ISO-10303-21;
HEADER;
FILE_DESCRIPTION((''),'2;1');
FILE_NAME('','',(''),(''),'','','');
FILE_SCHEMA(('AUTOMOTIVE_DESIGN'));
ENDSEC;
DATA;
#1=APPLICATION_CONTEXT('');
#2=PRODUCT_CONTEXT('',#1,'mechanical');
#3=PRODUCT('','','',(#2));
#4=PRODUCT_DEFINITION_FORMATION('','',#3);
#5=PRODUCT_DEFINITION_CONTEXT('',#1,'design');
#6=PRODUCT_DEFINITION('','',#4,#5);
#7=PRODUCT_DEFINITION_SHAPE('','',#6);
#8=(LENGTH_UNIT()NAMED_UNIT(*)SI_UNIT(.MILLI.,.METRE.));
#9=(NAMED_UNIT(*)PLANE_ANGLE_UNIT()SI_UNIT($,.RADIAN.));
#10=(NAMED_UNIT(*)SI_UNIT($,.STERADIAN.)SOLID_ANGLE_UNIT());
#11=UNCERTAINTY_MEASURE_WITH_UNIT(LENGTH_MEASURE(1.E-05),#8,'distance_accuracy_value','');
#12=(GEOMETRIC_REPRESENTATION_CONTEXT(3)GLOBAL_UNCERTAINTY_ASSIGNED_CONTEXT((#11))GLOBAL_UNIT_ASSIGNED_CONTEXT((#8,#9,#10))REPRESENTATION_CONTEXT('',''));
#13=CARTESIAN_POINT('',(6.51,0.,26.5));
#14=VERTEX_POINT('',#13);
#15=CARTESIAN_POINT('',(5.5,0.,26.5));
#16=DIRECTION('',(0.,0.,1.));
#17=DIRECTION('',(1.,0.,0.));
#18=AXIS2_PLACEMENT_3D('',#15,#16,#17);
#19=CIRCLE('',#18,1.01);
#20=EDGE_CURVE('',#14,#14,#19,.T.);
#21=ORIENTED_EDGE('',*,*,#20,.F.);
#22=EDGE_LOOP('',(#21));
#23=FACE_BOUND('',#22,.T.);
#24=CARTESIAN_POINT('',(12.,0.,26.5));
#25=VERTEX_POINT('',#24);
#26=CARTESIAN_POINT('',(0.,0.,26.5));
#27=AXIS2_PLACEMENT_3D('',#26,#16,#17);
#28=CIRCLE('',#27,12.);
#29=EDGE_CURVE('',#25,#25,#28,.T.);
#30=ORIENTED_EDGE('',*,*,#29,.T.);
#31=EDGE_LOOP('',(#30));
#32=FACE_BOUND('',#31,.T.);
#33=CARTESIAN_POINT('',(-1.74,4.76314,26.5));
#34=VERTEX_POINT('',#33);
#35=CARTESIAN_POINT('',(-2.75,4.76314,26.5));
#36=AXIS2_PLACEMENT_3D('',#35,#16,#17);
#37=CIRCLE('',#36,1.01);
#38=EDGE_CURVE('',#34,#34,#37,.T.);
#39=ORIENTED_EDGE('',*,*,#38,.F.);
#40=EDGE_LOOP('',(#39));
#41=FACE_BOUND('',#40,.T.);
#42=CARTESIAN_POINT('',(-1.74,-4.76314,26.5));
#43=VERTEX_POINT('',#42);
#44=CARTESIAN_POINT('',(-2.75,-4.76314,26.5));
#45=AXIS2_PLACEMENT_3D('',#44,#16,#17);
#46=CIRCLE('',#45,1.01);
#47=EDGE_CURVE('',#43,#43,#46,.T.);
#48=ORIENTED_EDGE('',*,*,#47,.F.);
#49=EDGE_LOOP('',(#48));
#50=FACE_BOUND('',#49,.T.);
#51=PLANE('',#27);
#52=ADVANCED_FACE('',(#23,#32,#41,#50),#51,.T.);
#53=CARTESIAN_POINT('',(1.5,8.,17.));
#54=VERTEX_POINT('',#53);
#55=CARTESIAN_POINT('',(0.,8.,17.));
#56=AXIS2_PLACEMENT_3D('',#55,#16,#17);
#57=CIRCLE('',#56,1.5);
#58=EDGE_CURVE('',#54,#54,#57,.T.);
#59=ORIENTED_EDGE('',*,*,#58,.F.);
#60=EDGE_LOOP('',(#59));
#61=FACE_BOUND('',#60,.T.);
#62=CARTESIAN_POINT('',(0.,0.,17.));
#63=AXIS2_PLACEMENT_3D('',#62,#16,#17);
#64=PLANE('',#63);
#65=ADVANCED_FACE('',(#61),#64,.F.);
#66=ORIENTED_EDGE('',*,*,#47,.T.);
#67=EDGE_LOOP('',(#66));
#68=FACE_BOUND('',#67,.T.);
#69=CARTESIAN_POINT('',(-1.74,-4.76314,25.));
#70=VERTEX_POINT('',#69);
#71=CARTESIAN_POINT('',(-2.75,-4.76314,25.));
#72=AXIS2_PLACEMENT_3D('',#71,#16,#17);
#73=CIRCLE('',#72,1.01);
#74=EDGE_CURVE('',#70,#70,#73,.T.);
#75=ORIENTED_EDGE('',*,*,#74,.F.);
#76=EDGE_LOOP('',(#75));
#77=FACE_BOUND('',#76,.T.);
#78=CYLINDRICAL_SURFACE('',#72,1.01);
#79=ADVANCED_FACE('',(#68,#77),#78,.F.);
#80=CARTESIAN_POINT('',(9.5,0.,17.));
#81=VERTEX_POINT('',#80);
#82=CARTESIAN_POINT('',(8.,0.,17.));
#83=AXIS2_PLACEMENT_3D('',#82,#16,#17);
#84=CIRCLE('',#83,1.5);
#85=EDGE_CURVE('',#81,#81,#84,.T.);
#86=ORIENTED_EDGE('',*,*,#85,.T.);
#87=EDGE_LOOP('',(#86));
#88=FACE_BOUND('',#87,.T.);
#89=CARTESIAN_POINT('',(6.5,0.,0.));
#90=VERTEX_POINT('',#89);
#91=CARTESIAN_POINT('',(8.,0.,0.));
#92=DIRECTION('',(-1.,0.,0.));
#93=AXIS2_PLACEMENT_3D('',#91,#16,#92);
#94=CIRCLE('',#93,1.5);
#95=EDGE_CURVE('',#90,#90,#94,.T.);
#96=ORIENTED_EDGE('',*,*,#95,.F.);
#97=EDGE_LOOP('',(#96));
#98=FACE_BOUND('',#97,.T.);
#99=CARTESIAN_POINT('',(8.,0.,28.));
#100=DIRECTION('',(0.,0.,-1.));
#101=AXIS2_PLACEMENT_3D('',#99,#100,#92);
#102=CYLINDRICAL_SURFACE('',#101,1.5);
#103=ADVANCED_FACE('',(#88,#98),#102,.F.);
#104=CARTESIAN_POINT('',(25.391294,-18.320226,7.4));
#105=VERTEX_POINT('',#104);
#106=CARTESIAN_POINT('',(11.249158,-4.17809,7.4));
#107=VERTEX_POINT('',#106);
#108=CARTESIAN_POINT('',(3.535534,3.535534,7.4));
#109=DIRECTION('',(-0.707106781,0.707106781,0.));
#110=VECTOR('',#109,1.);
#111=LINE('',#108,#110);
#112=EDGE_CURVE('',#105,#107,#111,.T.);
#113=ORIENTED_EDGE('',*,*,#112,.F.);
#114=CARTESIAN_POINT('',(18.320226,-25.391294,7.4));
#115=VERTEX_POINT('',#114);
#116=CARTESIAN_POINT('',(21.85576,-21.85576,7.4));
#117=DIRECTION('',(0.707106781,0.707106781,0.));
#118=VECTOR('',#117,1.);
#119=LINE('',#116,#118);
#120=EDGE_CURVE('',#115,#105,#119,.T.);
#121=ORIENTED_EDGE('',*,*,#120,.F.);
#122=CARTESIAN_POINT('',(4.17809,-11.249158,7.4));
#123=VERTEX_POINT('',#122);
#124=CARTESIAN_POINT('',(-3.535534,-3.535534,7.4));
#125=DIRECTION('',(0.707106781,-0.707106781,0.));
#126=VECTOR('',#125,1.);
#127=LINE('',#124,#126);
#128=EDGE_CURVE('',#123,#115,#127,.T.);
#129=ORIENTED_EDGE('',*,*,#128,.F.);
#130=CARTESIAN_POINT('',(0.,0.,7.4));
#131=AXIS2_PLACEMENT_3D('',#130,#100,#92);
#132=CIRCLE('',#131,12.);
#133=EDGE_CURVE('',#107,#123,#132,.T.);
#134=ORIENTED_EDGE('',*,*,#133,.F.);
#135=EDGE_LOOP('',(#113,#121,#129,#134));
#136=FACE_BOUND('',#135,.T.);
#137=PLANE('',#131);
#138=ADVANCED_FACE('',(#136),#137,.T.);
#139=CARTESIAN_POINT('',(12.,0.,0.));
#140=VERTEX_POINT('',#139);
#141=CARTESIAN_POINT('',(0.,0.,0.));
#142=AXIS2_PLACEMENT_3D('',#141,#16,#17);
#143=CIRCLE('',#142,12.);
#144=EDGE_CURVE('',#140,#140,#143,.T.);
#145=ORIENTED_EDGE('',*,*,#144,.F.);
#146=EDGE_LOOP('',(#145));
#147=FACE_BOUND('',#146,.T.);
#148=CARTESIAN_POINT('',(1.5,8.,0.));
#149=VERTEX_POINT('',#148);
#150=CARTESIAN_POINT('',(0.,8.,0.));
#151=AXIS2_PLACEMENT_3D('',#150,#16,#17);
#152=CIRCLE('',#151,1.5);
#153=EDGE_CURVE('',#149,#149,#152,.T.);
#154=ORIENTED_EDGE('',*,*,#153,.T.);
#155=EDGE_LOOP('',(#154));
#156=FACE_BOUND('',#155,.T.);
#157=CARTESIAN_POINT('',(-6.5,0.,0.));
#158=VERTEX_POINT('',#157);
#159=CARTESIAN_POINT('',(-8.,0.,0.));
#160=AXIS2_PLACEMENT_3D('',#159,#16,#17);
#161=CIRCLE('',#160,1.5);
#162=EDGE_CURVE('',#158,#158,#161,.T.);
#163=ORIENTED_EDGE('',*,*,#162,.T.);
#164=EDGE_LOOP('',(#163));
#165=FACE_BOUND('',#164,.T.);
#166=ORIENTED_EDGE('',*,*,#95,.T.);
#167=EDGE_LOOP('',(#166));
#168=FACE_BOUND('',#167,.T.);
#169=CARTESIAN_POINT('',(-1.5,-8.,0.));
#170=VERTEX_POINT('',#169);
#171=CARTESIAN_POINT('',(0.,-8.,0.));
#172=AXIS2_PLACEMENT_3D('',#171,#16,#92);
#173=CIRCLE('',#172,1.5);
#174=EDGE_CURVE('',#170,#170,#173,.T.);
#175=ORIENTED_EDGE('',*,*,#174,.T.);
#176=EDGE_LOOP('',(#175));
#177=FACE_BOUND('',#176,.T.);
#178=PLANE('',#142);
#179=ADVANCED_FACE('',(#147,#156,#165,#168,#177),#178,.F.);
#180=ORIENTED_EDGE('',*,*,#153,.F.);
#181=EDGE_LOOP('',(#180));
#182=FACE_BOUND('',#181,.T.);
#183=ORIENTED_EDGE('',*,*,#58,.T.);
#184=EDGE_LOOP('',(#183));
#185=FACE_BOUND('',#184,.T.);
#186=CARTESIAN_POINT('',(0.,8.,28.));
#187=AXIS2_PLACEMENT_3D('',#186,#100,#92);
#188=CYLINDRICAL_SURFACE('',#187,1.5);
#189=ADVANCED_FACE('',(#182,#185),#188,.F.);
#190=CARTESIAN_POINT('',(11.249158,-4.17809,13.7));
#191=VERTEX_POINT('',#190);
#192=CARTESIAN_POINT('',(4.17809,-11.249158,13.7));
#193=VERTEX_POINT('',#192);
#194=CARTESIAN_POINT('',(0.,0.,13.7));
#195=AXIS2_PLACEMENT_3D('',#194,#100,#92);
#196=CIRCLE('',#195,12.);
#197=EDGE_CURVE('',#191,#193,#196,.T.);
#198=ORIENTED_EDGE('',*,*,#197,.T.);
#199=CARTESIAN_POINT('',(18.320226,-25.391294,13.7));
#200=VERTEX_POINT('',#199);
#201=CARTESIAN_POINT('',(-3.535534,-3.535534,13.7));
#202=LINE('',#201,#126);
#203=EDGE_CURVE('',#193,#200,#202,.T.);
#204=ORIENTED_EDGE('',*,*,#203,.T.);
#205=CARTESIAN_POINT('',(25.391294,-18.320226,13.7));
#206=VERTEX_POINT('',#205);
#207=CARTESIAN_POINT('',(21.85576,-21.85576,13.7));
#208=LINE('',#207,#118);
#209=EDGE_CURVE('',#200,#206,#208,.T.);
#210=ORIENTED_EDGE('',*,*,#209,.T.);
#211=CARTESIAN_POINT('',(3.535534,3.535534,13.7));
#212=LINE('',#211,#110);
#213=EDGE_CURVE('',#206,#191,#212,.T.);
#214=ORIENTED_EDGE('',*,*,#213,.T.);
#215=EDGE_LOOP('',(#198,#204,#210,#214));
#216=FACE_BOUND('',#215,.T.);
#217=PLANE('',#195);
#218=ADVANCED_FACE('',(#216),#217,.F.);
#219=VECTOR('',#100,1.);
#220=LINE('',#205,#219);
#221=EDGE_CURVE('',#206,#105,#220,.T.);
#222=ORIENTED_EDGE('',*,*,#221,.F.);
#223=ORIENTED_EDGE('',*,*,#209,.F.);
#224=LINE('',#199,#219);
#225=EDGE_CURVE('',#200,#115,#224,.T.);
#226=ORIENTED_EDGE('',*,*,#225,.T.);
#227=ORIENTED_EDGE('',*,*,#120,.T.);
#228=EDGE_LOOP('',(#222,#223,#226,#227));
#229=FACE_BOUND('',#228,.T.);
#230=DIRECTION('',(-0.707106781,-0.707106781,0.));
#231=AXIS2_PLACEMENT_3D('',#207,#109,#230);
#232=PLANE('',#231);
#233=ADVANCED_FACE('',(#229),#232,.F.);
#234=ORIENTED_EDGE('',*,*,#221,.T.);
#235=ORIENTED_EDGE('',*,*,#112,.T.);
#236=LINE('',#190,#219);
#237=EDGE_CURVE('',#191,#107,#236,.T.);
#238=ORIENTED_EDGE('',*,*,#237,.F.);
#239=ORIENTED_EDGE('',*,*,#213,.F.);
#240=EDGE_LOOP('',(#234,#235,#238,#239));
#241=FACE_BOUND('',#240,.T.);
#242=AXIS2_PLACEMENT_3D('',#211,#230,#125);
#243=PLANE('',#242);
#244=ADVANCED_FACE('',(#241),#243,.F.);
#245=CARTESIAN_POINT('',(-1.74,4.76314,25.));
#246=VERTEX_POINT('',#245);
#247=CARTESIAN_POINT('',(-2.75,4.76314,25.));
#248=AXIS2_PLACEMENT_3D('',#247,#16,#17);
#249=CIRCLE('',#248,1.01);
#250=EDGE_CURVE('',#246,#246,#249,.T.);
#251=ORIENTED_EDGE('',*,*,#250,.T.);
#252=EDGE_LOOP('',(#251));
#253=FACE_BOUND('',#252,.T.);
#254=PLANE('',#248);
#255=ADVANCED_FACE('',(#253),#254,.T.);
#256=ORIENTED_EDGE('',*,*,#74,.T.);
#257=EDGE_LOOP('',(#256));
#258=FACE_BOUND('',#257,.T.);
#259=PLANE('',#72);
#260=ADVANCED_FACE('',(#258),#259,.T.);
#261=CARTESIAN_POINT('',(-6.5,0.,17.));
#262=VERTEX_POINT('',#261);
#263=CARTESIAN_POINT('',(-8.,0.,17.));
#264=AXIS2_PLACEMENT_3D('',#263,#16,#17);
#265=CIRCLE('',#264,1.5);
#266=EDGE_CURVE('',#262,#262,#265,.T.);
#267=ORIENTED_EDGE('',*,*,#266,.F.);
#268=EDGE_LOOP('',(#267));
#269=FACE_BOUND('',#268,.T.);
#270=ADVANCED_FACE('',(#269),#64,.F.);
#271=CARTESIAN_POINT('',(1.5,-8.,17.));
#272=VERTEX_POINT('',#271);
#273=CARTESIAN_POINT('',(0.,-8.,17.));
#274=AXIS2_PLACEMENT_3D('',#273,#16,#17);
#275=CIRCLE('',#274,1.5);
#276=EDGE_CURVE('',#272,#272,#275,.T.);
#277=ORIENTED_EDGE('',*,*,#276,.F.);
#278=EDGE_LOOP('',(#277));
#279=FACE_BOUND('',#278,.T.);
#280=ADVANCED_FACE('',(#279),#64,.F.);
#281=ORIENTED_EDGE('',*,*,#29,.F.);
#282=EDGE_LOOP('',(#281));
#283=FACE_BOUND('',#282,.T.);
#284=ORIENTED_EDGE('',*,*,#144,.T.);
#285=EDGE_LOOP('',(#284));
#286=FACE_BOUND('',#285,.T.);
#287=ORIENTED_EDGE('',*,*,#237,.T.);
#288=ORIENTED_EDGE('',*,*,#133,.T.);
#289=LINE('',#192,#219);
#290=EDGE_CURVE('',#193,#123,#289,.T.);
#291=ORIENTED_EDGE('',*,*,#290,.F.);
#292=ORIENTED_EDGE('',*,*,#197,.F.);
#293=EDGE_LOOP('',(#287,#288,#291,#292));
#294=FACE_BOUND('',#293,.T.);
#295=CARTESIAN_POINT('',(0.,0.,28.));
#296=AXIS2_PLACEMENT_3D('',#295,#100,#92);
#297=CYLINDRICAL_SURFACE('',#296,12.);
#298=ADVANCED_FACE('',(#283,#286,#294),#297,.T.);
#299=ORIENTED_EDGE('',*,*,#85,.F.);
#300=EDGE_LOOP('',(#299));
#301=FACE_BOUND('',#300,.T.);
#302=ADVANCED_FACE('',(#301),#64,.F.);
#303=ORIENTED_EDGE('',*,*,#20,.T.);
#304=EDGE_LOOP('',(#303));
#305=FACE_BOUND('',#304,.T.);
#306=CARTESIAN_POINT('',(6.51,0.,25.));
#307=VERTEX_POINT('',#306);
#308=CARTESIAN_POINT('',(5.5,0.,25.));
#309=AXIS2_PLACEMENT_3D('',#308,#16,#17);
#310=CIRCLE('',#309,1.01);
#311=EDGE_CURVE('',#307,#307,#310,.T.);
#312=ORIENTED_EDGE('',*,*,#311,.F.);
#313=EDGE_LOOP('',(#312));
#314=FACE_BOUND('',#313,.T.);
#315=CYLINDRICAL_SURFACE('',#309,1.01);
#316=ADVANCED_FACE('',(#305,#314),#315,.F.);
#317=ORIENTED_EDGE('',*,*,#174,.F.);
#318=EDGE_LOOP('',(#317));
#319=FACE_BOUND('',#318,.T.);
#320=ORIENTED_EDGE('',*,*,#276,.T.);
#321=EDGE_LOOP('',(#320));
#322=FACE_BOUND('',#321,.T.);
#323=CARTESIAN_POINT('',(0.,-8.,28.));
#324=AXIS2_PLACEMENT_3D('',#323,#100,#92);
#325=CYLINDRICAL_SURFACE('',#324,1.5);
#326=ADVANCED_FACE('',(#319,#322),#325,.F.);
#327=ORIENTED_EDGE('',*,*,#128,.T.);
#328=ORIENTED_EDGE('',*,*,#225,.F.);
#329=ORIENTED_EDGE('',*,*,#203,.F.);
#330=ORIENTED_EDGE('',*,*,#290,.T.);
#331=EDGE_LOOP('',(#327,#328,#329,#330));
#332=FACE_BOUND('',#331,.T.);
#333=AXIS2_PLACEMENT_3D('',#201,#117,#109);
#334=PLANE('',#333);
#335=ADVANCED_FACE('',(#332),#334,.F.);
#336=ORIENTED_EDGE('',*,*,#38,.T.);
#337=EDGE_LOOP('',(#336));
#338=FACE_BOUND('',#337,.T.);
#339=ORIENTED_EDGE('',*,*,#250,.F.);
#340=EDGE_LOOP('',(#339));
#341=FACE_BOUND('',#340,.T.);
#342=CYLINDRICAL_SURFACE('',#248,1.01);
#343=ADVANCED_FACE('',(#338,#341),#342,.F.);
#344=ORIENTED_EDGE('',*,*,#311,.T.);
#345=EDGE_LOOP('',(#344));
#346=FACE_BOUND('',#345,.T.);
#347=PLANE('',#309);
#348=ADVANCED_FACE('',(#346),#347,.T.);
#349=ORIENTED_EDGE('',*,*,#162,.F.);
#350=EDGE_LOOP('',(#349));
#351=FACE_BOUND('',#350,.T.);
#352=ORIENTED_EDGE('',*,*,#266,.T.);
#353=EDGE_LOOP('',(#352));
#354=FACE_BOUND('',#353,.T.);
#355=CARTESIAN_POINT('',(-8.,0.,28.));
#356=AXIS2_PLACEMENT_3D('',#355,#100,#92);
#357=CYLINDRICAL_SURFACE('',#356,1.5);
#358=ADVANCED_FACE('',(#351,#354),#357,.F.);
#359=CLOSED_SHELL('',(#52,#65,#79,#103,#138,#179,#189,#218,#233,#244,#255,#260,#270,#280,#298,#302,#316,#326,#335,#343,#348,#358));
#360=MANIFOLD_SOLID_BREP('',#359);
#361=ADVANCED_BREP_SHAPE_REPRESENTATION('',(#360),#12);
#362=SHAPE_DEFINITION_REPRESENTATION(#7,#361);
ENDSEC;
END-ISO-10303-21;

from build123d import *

# Parameters (mm, degrees)
SKETCH_1_R          = 12
SKETCH_1_R_2        = 1.5
EXTRUDE_1_DEPTH     = 28
SKETCH_2_R          = 20
EXTRUDE_2_DEPTH     = 11
EXTRUDE_START       = -7.4
EXTRUDE_3_DEPTH     = 6.3
SKETCH_4_R          = 20
SKETCH_4_R_2        = 12
CUT_EXTRUDE_1_DEPTH = 39
CUT_EXTRUDE_START   = -1.5
SKETCH_5_R          = 12
CUT_EXTRUDE_2_DEPTH = 1.5
SKETCH_6_R          = 1.01
CUT_EXTRUDE_3_DEPTH = 1.5


with BuildPart() as part:
    # 草图1 → 凸台-拉伸1 (new body)
    with BuildSketch(Plane.XY):
        Circle(SKETCH_1_R)
        with Locations((-8, 0)):
            Circle(SKETCH_1_R_2, mode=Mode.SUBTRACT)
        with Locations(Location((8, 0, 0), (0, 0, 180))):
            Circle(SKETCH_1_R_2, mode=Mode.SUBTRACT)
        with Locations((0, 8)):
            Circle(SKETCH_1_R_2, mode=Mode.SUBTRACT)
        with Locations(Location((0, -8, 0), (0, 0, 180))):
            Circle(SKETCH_1_R_2, mode=Mode.SUBTRACT)
    extrude(amount=EXTRUDE_1_DEPTH)

    # 草图2 → 凸台-拉伸2 (add)
    with BuildSketch(Plane.XY.offset(28)):
        Circle(SKETCH_2_R)
    extrude(amount=-EXTRUDE_2_DEPTH)

    # 草图3 → 凸台-拉伸3 (add)
    with BuildSketch(Plane(origin=(0, 0, 0), x_dir=(-1, 0, 0), z_dir=(0, 0, -1)).offset(EXTRUDE_START)):
        with BuildLine():
            ThreePointArc((-4.178090404, -11.249158216), (-8.485281374, -8.485281374), (-11.249158216, -4.178090404))
            Line((-11.249158216, -4.178090404), (-25.39129384, -18.320226028))
            Line((-25.39129384, -18.320226028), (-18.320226028, -25.39129384))
            Line((-18.320226028, -25.39129384), (-4.178090404, -11.249158216))
        make_face()
    extrude(amount=-EXTRUDE_3_DEPTH)

    # 草图4 → 切除-拉伸1 (cut)
    with BuildSketch(Plane(origin=(0, 0, 17), x_dir=(-1, 0, 0), z_dir=(0, 0, -1))):
        Circle(SKETCH_4_R)
        with Locations(Location((0, 0, 0), (0, 0, 180))):
            Circle(SKETCH_4_R_2, mode=Mode.SUBTRACT)
    extrude(amount=-CUT_EXTRUDE_1_DEPTH, mode=Mode.SUBTRACT)

    # 草图5 → 切除-拉伸2 (cut)
    with BuildSketch(Plane.XY.offset(28).offset(CUT_EXTRUDE_START)):
        Circle(SKETCH_5_R)
    extrude(amount=CUT_EXTRUDE_2_DEPTH, mode=Mode.SUBTRACT)

    # 草图6 → 切除-拉伸3 (cut)
    with BuildSketch(Plane.XY.offset(26.5)):
        with Locations((5.5, 0)):
            Circle(SKETCH_6_R)
        with Locations((-2.75, -4.763139721)):
            Circle(SKETCH_6_R)
        with Locations((-2.75, 4.763139721)):
            Circle(SKETCH_6_R)
    extrude(amount=-CUT_EXTRUDE_3_DEPTH, mode=Mode.SUBTRACT)


solid = part.part
